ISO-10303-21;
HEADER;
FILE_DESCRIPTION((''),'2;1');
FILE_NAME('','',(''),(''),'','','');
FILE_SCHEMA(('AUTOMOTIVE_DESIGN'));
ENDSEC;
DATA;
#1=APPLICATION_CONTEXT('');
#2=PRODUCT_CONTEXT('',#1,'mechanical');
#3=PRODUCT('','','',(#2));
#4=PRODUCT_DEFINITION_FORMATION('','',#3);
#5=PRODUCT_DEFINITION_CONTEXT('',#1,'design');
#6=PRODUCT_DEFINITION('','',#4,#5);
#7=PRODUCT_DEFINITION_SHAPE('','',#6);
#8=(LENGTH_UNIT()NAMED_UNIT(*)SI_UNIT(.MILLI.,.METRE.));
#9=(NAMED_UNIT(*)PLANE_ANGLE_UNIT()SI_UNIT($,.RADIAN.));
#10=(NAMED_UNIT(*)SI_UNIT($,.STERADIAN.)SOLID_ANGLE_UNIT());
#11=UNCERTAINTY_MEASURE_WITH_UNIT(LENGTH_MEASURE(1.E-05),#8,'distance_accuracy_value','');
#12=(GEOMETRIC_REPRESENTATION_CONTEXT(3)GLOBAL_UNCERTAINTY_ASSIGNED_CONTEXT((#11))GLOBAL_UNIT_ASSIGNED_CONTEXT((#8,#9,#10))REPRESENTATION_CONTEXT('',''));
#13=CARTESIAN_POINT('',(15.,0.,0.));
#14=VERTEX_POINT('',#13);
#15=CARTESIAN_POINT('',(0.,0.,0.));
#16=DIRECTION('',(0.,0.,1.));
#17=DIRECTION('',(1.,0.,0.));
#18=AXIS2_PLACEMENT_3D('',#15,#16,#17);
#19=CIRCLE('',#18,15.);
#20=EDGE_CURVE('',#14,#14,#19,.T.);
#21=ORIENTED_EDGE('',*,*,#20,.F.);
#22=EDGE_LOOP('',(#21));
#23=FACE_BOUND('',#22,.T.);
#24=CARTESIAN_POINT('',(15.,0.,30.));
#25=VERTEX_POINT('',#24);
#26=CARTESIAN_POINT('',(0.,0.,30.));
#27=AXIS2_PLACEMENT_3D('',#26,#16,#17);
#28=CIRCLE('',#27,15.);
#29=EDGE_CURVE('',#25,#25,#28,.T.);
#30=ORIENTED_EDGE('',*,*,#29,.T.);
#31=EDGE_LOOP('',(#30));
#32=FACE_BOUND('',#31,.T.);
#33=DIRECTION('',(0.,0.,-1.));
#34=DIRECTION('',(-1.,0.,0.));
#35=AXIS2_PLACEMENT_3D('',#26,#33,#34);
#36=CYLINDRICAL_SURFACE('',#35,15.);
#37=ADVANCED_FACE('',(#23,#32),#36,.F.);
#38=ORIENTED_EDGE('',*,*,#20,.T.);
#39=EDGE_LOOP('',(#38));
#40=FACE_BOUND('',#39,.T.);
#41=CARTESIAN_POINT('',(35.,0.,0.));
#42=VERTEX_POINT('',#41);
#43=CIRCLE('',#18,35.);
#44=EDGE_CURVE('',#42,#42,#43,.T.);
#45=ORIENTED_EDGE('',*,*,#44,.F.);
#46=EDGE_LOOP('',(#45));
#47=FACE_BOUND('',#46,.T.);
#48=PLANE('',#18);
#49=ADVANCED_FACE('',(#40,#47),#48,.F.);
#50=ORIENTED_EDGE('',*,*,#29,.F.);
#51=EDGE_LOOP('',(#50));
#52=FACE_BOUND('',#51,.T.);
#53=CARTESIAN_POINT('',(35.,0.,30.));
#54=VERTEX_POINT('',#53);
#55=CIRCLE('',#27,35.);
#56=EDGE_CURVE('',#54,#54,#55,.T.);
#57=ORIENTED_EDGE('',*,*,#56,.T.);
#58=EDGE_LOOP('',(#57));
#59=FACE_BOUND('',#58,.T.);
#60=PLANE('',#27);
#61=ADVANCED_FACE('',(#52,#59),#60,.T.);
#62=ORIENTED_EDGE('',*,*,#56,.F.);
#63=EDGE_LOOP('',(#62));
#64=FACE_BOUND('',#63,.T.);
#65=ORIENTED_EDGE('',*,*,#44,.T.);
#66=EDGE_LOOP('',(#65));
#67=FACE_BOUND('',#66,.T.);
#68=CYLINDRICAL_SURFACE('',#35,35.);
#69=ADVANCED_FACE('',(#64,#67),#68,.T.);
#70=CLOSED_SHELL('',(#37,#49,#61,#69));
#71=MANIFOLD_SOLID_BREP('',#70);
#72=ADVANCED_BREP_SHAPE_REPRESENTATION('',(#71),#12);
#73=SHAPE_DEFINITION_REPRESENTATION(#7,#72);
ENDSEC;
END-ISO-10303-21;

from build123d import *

# Parameters (mm, degrees)
SCHIZZO1_R                   = 35
SCHIZZO1_R_2                 = 15
ESTRUSIONE_ESTRUSIONE1_DEPTH = 30


with BuildPart() as part:
    # Schizzo1 → Estrusione-Estrusione1 (new body)
    with BuildSketch(Plane.XY):
        Circle(SCHIZZO1_R)
        Circle(SCHIZZO1_R_2, mode=Mode.SUBTRACT)
    extrude(amount=ESTRUSIONE_ESTRUSIONE1_DEPTH)


solid = part.part
